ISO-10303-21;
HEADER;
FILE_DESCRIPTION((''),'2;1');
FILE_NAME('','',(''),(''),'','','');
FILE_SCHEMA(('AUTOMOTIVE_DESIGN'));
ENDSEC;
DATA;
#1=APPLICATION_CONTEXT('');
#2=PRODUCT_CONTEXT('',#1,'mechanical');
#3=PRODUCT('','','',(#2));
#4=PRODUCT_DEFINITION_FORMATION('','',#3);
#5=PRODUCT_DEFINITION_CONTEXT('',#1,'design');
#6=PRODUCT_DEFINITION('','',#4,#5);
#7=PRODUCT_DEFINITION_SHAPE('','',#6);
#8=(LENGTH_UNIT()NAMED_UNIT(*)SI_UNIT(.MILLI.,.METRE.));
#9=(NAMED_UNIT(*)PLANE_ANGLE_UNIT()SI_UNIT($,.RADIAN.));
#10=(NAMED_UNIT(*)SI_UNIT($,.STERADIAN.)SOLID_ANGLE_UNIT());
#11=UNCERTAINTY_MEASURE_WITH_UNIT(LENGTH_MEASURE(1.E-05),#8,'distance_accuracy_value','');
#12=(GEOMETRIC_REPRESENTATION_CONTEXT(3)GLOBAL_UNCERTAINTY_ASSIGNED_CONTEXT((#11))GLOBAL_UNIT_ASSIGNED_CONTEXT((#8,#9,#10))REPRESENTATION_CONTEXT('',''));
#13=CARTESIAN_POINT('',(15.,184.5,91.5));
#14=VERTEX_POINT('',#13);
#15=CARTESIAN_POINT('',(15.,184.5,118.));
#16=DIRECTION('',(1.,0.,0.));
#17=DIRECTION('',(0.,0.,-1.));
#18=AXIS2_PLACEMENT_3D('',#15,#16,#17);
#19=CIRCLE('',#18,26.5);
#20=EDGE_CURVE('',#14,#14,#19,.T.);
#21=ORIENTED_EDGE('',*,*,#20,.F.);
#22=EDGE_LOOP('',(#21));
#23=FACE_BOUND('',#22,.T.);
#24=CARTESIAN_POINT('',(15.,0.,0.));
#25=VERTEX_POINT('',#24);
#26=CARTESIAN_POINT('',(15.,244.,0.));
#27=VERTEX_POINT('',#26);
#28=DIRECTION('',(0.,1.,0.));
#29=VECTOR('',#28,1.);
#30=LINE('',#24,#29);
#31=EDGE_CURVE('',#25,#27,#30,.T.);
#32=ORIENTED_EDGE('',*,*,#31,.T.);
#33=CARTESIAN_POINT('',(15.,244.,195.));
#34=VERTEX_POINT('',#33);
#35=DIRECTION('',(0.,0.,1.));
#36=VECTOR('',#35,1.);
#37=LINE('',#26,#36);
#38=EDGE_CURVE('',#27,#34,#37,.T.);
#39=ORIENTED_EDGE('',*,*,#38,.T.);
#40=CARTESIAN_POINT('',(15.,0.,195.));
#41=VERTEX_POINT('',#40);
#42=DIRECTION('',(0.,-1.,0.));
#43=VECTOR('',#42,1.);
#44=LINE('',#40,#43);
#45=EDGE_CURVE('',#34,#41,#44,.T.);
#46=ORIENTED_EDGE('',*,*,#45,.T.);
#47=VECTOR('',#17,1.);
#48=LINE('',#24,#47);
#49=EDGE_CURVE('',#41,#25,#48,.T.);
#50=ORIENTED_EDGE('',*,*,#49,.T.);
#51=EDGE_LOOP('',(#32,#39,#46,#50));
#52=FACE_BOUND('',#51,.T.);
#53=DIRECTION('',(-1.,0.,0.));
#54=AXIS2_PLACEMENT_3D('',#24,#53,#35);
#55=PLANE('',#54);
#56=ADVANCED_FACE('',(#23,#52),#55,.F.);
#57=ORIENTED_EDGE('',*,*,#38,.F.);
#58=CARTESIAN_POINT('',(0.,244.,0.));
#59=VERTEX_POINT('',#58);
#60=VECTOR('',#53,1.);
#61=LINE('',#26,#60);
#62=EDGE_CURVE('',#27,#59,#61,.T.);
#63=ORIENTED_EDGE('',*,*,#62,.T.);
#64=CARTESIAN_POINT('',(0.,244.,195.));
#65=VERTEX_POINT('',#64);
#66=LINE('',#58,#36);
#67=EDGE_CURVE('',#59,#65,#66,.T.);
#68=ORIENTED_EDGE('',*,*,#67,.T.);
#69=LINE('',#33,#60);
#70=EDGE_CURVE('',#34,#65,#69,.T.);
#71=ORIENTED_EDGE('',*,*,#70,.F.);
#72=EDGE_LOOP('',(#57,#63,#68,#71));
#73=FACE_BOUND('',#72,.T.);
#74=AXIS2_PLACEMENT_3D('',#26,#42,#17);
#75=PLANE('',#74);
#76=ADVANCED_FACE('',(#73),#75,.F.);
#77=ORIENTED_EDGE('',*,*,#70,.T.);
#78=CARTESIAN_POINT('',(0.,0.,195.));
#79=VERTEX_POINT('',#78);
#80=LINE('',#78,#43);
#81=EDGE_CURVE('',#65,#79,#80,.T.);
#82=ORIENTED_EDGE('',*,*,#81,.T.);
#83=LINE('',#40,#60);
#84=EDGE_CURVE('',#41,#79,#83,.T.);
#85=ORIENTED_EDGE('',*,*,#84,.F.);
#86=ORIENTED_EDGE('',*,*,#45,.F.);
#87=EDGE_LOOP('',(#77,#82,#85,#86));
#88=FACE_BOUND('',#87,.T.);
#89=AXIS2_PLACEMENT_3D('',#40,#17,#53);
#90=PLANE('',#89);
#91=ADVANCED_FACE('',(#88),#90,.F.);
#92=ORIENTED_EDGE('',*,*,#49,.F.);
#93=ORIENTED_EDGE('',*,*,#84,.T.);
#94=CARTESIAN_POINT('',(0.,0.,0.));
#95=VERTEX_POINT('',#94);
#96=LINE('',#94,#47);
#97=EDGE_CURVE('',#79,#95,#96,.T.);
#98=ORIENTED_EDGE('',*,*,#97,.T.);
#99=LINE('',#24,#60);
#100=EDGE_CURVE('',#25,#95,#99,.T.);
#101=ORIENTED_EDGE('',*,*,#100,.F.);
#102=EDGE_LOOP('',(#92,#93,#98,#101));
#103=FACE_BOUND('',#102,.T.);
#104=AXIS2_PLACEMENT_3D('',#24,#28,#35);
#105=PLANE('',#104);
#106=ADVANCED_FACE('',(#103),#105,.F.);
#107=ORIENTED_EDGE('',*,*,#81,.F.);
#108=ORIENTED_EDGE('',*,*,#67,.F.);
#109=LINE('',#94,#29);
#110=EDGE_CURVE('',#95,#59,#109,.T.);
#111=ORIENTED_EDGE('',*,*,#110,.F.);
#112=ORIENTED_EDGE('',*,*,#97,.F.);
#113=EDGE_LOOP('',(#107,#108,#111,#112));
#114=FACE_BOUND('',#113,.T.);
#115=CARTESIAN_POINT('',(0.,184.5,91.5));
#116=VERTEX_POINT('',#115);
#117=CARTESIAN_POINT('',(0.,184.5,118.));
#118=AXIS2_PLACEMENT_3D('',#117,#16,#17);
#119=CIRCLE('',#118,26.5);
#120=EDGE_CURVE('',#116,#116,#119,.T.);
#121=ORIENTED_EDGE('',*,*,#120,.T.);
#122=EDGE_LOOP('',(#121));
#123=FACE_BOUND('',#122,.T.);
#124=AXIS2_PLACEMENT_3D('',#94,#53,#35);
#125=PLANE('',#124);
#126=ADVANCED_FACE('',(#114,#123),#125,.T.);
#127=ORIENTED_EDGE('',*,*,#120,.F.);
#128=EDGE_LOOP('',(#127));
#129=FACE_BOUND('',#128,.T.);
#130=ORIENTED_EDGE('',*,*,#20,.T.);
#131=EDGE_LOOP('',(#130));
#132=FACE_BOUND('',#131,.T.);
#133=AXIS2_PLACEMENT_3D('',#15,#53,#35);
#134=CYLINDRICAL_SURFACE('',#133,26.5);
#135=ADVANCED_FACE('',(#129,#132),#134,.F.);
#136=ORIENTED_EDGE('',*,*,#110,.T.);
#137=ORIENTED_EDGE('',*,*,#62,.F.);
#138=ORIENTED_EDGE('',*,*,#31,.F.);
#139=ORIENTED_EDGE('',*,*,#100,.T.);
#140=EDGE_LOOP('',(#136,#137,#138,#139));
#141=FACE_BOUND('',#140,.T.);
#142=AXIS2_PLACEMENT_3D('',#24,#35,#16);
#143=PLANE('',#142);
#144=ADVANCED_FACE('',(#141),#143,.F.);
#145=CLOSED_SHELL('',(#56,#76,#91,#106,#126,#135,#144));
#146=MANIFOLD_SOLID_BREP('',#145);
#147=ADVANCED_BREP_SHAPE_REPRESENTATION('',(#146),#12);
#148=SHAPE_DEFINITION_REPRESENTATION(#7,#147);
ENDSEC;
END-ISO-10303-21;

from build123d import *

# Parameters (mm, degrees)
CROQUIS2_W              = 244
CROQUIS2_H              = 195
CROQUIS2_R              = 26.5
SALIENTE_EXTRUIR1_DEPTH = 15


with BuildPart() as part:
    # Croquis2 → Saliente-Extruir1 (new body)
    with BuildSketch(Plane.YZ):
        with Locations((122, 97.5)):
            Rectangle(CROQUIS2_W, CROQUIS2_H)
        with Locations(Location((184.5, 118, 0), (0, 0, 270))):
            Circle(CROQUIS2_R, mode=Mode.SUBTRACT)
    extrude(amount=SALIENTE_EXTRUIR1_DEPTH)


solid = part.part
